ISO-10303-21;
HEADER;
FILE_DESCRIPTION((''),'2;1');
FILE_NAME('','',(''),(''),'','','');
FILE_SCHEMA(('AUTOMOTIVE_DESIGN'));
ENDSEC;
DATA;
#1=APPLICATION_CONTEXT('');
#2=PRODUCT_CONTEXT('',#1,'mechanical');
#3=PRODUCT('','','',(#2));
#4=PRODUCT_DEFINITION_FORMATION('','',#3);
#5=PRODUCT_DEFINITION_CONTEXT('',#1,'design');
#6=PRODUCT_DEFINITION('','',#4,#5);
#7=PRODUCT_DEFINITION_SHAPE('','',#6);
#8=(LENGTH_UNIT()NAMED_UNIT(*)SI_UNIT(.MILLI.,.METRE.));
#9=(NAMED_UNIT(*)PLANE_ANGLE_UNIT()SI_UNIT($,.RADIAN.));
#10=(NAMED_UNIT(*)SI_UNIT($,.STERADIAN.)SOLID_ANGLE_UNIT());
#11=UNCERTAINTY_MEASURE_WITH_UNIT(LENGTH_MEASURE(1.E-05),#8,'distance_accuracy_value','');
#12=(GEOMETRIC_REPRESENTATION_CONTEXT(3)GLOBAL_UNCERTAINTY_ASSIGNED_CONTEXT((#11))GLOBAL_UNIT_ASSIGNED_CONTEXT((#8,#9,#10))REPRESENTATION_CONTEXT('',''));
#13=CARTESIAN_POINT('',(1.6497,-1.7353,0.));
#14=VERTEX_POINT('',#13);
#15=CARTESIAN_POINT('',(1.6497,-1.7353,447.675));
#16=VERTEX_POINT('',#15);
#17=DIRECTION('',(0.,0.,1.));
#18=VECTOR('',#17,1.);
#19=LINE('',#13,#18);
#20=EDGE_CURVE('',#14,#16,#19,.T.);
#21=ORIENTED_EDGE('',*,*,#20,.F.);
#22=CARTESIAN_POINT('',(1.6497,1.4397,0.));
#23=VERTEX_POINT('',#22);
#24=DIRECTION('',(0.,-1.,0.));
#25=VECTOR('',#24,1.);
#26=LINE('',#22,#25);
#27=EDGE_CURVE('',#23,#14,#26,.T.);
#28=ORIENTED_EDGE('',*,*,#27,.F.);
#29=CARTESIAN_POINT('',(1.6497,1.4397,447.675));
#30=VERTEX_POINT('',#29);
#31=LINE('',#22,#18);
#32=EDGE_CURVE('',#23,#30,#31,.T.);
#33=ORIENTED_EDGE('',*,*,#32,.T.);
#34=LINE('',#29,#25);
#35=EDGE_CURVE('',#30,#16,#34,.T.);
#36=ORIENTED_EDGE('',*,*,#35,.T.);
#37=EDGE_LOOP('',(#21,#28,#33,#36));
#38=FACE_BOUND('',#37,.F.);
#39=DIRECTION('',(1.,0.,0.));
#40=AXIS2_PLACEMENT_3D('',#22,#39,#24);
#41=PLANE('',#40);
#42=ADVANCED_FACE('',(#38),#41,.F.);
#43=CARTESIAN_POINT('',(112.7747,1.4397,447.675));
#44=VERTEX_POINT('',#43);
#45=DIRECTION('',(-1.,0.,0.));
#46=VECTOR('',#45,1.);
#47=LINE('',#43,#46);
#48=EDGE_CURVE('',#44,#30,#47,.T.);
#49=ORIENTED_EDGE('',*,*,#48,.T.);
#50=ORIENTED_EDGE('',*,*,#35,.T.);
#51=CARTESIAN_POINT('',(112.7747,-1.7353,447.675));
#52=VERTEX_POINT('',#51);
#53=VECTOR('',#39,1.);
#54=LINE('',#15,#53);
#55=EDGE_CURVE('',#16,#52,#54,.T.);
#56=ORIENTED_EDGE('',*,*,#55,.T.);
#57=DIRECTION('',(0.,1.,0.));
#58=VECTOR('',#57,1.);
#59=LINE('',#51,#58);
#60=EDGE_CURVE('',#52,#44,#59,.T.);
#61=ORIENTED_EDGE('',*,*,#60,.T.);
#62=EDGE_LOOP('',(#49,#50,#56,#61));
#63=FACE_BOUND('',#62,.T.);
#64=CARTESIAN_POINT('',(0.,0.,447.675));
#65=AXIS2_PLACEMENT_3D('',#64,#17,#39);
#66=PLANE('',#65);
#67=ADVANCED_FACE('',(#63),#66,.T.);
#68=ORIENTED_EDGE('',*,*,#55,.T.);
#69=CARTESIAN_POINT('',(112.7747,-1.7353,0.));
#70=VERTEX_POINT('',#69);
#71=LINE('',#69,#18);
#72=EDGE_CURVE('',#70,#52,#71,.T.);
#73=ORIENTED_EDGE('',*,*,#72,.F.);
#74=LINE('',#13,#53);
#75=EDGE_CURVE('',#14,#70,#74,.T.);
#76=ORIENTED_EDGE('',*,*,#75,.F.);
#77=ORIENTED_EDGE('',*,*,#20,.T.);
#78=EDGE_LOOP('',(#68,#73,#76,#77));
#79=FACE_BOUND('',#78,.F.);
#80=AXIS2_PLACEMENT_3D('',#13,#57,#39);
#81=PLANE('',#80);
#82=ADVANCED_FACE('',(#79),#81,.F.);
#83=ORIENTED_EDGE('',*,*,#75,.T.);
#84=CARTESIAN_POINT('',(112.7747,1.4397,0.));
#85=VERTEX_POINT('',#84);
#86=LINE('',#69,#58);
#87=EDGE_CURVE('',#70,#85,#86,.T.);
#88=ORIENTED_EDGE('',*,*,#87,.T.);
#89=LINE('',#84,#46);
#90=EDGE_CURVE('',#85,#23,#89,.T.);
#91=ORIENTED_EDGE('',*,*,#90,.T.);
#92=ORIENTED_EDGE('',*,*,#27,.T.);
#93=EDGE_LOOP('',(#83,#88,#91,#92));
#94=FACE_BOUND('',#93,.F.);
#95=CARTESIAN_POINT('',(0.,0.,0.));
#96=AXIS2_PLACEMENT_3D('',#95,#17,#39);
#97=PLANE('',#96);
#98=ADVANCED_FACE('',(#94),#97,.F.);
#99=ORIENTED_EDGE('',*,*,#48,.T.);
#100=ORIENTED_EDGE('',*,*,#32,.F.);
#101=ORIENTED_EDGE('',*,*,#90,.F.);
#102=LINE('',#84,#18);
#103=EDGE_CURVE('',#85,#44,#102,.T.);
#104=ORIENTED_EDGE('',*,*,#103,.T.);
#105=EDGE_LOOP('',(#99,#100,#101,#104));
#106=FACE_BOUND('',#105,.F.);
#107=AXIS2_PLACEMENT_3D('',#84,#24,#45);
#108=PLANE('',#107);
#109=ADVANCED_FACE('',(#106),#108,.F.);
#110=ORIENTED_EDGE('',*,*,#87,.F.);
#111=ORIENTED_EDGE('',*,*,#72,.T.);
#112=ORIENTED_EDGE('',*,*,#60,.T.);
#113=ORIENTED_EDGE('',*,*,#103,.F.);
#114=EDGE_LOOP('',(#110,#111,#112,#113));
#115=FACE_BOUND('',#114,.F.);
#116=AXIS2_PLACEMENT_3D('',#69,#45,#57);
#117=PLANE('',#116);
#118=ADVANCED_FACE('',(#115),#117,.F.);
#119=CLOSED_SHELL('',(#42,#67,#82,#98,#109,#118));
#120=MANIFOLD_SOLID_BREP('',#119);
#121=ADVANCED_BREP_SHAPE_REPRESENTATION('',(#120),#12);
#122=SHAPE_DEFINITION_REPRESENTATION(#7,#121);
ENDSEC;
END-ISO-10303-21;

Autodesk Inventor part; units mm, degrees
ref_plane "YZ Plane" through (0, 0, 0) normal (1, 0, 0) x (0, 1, 0)
ref_plane "XZ Plane" through (0, 0, 0) normal (0, 1, 0) x (-1, 0, 0)
ref_plane "XY Plane" through (0, 0, 0) normal (0, 0, 1) x (1, 0, 0)
sketch "Sketch1" plane through (0, 0, 0) normal (0, 0, 1) x (1, 0, 0)
  line L0 (1.6497, -1.7353) -> (112.7747, -1.7353)
  line L1 (112.7747, -1.7353) -> (112.7747, 1.4397)
  line L2 (112.7747, 1.4397) -> (1.6497, 1.4397)
  line L3 (1.6497, 1.4397) -> (1.6497, -1.7353)
  dimension "d0" = 111.125
  dimension "d1" = 3.175
extrude "Extrusion1" add sketch "Sketch1" along normal blind 447.675
ref_plane "Work Plane1" through (112.7747, -1.7353, 223.8375) normal (0, 0, 1) x (1, 0, 0)
properties part number "outlet strip" material "Steel, Mild"
